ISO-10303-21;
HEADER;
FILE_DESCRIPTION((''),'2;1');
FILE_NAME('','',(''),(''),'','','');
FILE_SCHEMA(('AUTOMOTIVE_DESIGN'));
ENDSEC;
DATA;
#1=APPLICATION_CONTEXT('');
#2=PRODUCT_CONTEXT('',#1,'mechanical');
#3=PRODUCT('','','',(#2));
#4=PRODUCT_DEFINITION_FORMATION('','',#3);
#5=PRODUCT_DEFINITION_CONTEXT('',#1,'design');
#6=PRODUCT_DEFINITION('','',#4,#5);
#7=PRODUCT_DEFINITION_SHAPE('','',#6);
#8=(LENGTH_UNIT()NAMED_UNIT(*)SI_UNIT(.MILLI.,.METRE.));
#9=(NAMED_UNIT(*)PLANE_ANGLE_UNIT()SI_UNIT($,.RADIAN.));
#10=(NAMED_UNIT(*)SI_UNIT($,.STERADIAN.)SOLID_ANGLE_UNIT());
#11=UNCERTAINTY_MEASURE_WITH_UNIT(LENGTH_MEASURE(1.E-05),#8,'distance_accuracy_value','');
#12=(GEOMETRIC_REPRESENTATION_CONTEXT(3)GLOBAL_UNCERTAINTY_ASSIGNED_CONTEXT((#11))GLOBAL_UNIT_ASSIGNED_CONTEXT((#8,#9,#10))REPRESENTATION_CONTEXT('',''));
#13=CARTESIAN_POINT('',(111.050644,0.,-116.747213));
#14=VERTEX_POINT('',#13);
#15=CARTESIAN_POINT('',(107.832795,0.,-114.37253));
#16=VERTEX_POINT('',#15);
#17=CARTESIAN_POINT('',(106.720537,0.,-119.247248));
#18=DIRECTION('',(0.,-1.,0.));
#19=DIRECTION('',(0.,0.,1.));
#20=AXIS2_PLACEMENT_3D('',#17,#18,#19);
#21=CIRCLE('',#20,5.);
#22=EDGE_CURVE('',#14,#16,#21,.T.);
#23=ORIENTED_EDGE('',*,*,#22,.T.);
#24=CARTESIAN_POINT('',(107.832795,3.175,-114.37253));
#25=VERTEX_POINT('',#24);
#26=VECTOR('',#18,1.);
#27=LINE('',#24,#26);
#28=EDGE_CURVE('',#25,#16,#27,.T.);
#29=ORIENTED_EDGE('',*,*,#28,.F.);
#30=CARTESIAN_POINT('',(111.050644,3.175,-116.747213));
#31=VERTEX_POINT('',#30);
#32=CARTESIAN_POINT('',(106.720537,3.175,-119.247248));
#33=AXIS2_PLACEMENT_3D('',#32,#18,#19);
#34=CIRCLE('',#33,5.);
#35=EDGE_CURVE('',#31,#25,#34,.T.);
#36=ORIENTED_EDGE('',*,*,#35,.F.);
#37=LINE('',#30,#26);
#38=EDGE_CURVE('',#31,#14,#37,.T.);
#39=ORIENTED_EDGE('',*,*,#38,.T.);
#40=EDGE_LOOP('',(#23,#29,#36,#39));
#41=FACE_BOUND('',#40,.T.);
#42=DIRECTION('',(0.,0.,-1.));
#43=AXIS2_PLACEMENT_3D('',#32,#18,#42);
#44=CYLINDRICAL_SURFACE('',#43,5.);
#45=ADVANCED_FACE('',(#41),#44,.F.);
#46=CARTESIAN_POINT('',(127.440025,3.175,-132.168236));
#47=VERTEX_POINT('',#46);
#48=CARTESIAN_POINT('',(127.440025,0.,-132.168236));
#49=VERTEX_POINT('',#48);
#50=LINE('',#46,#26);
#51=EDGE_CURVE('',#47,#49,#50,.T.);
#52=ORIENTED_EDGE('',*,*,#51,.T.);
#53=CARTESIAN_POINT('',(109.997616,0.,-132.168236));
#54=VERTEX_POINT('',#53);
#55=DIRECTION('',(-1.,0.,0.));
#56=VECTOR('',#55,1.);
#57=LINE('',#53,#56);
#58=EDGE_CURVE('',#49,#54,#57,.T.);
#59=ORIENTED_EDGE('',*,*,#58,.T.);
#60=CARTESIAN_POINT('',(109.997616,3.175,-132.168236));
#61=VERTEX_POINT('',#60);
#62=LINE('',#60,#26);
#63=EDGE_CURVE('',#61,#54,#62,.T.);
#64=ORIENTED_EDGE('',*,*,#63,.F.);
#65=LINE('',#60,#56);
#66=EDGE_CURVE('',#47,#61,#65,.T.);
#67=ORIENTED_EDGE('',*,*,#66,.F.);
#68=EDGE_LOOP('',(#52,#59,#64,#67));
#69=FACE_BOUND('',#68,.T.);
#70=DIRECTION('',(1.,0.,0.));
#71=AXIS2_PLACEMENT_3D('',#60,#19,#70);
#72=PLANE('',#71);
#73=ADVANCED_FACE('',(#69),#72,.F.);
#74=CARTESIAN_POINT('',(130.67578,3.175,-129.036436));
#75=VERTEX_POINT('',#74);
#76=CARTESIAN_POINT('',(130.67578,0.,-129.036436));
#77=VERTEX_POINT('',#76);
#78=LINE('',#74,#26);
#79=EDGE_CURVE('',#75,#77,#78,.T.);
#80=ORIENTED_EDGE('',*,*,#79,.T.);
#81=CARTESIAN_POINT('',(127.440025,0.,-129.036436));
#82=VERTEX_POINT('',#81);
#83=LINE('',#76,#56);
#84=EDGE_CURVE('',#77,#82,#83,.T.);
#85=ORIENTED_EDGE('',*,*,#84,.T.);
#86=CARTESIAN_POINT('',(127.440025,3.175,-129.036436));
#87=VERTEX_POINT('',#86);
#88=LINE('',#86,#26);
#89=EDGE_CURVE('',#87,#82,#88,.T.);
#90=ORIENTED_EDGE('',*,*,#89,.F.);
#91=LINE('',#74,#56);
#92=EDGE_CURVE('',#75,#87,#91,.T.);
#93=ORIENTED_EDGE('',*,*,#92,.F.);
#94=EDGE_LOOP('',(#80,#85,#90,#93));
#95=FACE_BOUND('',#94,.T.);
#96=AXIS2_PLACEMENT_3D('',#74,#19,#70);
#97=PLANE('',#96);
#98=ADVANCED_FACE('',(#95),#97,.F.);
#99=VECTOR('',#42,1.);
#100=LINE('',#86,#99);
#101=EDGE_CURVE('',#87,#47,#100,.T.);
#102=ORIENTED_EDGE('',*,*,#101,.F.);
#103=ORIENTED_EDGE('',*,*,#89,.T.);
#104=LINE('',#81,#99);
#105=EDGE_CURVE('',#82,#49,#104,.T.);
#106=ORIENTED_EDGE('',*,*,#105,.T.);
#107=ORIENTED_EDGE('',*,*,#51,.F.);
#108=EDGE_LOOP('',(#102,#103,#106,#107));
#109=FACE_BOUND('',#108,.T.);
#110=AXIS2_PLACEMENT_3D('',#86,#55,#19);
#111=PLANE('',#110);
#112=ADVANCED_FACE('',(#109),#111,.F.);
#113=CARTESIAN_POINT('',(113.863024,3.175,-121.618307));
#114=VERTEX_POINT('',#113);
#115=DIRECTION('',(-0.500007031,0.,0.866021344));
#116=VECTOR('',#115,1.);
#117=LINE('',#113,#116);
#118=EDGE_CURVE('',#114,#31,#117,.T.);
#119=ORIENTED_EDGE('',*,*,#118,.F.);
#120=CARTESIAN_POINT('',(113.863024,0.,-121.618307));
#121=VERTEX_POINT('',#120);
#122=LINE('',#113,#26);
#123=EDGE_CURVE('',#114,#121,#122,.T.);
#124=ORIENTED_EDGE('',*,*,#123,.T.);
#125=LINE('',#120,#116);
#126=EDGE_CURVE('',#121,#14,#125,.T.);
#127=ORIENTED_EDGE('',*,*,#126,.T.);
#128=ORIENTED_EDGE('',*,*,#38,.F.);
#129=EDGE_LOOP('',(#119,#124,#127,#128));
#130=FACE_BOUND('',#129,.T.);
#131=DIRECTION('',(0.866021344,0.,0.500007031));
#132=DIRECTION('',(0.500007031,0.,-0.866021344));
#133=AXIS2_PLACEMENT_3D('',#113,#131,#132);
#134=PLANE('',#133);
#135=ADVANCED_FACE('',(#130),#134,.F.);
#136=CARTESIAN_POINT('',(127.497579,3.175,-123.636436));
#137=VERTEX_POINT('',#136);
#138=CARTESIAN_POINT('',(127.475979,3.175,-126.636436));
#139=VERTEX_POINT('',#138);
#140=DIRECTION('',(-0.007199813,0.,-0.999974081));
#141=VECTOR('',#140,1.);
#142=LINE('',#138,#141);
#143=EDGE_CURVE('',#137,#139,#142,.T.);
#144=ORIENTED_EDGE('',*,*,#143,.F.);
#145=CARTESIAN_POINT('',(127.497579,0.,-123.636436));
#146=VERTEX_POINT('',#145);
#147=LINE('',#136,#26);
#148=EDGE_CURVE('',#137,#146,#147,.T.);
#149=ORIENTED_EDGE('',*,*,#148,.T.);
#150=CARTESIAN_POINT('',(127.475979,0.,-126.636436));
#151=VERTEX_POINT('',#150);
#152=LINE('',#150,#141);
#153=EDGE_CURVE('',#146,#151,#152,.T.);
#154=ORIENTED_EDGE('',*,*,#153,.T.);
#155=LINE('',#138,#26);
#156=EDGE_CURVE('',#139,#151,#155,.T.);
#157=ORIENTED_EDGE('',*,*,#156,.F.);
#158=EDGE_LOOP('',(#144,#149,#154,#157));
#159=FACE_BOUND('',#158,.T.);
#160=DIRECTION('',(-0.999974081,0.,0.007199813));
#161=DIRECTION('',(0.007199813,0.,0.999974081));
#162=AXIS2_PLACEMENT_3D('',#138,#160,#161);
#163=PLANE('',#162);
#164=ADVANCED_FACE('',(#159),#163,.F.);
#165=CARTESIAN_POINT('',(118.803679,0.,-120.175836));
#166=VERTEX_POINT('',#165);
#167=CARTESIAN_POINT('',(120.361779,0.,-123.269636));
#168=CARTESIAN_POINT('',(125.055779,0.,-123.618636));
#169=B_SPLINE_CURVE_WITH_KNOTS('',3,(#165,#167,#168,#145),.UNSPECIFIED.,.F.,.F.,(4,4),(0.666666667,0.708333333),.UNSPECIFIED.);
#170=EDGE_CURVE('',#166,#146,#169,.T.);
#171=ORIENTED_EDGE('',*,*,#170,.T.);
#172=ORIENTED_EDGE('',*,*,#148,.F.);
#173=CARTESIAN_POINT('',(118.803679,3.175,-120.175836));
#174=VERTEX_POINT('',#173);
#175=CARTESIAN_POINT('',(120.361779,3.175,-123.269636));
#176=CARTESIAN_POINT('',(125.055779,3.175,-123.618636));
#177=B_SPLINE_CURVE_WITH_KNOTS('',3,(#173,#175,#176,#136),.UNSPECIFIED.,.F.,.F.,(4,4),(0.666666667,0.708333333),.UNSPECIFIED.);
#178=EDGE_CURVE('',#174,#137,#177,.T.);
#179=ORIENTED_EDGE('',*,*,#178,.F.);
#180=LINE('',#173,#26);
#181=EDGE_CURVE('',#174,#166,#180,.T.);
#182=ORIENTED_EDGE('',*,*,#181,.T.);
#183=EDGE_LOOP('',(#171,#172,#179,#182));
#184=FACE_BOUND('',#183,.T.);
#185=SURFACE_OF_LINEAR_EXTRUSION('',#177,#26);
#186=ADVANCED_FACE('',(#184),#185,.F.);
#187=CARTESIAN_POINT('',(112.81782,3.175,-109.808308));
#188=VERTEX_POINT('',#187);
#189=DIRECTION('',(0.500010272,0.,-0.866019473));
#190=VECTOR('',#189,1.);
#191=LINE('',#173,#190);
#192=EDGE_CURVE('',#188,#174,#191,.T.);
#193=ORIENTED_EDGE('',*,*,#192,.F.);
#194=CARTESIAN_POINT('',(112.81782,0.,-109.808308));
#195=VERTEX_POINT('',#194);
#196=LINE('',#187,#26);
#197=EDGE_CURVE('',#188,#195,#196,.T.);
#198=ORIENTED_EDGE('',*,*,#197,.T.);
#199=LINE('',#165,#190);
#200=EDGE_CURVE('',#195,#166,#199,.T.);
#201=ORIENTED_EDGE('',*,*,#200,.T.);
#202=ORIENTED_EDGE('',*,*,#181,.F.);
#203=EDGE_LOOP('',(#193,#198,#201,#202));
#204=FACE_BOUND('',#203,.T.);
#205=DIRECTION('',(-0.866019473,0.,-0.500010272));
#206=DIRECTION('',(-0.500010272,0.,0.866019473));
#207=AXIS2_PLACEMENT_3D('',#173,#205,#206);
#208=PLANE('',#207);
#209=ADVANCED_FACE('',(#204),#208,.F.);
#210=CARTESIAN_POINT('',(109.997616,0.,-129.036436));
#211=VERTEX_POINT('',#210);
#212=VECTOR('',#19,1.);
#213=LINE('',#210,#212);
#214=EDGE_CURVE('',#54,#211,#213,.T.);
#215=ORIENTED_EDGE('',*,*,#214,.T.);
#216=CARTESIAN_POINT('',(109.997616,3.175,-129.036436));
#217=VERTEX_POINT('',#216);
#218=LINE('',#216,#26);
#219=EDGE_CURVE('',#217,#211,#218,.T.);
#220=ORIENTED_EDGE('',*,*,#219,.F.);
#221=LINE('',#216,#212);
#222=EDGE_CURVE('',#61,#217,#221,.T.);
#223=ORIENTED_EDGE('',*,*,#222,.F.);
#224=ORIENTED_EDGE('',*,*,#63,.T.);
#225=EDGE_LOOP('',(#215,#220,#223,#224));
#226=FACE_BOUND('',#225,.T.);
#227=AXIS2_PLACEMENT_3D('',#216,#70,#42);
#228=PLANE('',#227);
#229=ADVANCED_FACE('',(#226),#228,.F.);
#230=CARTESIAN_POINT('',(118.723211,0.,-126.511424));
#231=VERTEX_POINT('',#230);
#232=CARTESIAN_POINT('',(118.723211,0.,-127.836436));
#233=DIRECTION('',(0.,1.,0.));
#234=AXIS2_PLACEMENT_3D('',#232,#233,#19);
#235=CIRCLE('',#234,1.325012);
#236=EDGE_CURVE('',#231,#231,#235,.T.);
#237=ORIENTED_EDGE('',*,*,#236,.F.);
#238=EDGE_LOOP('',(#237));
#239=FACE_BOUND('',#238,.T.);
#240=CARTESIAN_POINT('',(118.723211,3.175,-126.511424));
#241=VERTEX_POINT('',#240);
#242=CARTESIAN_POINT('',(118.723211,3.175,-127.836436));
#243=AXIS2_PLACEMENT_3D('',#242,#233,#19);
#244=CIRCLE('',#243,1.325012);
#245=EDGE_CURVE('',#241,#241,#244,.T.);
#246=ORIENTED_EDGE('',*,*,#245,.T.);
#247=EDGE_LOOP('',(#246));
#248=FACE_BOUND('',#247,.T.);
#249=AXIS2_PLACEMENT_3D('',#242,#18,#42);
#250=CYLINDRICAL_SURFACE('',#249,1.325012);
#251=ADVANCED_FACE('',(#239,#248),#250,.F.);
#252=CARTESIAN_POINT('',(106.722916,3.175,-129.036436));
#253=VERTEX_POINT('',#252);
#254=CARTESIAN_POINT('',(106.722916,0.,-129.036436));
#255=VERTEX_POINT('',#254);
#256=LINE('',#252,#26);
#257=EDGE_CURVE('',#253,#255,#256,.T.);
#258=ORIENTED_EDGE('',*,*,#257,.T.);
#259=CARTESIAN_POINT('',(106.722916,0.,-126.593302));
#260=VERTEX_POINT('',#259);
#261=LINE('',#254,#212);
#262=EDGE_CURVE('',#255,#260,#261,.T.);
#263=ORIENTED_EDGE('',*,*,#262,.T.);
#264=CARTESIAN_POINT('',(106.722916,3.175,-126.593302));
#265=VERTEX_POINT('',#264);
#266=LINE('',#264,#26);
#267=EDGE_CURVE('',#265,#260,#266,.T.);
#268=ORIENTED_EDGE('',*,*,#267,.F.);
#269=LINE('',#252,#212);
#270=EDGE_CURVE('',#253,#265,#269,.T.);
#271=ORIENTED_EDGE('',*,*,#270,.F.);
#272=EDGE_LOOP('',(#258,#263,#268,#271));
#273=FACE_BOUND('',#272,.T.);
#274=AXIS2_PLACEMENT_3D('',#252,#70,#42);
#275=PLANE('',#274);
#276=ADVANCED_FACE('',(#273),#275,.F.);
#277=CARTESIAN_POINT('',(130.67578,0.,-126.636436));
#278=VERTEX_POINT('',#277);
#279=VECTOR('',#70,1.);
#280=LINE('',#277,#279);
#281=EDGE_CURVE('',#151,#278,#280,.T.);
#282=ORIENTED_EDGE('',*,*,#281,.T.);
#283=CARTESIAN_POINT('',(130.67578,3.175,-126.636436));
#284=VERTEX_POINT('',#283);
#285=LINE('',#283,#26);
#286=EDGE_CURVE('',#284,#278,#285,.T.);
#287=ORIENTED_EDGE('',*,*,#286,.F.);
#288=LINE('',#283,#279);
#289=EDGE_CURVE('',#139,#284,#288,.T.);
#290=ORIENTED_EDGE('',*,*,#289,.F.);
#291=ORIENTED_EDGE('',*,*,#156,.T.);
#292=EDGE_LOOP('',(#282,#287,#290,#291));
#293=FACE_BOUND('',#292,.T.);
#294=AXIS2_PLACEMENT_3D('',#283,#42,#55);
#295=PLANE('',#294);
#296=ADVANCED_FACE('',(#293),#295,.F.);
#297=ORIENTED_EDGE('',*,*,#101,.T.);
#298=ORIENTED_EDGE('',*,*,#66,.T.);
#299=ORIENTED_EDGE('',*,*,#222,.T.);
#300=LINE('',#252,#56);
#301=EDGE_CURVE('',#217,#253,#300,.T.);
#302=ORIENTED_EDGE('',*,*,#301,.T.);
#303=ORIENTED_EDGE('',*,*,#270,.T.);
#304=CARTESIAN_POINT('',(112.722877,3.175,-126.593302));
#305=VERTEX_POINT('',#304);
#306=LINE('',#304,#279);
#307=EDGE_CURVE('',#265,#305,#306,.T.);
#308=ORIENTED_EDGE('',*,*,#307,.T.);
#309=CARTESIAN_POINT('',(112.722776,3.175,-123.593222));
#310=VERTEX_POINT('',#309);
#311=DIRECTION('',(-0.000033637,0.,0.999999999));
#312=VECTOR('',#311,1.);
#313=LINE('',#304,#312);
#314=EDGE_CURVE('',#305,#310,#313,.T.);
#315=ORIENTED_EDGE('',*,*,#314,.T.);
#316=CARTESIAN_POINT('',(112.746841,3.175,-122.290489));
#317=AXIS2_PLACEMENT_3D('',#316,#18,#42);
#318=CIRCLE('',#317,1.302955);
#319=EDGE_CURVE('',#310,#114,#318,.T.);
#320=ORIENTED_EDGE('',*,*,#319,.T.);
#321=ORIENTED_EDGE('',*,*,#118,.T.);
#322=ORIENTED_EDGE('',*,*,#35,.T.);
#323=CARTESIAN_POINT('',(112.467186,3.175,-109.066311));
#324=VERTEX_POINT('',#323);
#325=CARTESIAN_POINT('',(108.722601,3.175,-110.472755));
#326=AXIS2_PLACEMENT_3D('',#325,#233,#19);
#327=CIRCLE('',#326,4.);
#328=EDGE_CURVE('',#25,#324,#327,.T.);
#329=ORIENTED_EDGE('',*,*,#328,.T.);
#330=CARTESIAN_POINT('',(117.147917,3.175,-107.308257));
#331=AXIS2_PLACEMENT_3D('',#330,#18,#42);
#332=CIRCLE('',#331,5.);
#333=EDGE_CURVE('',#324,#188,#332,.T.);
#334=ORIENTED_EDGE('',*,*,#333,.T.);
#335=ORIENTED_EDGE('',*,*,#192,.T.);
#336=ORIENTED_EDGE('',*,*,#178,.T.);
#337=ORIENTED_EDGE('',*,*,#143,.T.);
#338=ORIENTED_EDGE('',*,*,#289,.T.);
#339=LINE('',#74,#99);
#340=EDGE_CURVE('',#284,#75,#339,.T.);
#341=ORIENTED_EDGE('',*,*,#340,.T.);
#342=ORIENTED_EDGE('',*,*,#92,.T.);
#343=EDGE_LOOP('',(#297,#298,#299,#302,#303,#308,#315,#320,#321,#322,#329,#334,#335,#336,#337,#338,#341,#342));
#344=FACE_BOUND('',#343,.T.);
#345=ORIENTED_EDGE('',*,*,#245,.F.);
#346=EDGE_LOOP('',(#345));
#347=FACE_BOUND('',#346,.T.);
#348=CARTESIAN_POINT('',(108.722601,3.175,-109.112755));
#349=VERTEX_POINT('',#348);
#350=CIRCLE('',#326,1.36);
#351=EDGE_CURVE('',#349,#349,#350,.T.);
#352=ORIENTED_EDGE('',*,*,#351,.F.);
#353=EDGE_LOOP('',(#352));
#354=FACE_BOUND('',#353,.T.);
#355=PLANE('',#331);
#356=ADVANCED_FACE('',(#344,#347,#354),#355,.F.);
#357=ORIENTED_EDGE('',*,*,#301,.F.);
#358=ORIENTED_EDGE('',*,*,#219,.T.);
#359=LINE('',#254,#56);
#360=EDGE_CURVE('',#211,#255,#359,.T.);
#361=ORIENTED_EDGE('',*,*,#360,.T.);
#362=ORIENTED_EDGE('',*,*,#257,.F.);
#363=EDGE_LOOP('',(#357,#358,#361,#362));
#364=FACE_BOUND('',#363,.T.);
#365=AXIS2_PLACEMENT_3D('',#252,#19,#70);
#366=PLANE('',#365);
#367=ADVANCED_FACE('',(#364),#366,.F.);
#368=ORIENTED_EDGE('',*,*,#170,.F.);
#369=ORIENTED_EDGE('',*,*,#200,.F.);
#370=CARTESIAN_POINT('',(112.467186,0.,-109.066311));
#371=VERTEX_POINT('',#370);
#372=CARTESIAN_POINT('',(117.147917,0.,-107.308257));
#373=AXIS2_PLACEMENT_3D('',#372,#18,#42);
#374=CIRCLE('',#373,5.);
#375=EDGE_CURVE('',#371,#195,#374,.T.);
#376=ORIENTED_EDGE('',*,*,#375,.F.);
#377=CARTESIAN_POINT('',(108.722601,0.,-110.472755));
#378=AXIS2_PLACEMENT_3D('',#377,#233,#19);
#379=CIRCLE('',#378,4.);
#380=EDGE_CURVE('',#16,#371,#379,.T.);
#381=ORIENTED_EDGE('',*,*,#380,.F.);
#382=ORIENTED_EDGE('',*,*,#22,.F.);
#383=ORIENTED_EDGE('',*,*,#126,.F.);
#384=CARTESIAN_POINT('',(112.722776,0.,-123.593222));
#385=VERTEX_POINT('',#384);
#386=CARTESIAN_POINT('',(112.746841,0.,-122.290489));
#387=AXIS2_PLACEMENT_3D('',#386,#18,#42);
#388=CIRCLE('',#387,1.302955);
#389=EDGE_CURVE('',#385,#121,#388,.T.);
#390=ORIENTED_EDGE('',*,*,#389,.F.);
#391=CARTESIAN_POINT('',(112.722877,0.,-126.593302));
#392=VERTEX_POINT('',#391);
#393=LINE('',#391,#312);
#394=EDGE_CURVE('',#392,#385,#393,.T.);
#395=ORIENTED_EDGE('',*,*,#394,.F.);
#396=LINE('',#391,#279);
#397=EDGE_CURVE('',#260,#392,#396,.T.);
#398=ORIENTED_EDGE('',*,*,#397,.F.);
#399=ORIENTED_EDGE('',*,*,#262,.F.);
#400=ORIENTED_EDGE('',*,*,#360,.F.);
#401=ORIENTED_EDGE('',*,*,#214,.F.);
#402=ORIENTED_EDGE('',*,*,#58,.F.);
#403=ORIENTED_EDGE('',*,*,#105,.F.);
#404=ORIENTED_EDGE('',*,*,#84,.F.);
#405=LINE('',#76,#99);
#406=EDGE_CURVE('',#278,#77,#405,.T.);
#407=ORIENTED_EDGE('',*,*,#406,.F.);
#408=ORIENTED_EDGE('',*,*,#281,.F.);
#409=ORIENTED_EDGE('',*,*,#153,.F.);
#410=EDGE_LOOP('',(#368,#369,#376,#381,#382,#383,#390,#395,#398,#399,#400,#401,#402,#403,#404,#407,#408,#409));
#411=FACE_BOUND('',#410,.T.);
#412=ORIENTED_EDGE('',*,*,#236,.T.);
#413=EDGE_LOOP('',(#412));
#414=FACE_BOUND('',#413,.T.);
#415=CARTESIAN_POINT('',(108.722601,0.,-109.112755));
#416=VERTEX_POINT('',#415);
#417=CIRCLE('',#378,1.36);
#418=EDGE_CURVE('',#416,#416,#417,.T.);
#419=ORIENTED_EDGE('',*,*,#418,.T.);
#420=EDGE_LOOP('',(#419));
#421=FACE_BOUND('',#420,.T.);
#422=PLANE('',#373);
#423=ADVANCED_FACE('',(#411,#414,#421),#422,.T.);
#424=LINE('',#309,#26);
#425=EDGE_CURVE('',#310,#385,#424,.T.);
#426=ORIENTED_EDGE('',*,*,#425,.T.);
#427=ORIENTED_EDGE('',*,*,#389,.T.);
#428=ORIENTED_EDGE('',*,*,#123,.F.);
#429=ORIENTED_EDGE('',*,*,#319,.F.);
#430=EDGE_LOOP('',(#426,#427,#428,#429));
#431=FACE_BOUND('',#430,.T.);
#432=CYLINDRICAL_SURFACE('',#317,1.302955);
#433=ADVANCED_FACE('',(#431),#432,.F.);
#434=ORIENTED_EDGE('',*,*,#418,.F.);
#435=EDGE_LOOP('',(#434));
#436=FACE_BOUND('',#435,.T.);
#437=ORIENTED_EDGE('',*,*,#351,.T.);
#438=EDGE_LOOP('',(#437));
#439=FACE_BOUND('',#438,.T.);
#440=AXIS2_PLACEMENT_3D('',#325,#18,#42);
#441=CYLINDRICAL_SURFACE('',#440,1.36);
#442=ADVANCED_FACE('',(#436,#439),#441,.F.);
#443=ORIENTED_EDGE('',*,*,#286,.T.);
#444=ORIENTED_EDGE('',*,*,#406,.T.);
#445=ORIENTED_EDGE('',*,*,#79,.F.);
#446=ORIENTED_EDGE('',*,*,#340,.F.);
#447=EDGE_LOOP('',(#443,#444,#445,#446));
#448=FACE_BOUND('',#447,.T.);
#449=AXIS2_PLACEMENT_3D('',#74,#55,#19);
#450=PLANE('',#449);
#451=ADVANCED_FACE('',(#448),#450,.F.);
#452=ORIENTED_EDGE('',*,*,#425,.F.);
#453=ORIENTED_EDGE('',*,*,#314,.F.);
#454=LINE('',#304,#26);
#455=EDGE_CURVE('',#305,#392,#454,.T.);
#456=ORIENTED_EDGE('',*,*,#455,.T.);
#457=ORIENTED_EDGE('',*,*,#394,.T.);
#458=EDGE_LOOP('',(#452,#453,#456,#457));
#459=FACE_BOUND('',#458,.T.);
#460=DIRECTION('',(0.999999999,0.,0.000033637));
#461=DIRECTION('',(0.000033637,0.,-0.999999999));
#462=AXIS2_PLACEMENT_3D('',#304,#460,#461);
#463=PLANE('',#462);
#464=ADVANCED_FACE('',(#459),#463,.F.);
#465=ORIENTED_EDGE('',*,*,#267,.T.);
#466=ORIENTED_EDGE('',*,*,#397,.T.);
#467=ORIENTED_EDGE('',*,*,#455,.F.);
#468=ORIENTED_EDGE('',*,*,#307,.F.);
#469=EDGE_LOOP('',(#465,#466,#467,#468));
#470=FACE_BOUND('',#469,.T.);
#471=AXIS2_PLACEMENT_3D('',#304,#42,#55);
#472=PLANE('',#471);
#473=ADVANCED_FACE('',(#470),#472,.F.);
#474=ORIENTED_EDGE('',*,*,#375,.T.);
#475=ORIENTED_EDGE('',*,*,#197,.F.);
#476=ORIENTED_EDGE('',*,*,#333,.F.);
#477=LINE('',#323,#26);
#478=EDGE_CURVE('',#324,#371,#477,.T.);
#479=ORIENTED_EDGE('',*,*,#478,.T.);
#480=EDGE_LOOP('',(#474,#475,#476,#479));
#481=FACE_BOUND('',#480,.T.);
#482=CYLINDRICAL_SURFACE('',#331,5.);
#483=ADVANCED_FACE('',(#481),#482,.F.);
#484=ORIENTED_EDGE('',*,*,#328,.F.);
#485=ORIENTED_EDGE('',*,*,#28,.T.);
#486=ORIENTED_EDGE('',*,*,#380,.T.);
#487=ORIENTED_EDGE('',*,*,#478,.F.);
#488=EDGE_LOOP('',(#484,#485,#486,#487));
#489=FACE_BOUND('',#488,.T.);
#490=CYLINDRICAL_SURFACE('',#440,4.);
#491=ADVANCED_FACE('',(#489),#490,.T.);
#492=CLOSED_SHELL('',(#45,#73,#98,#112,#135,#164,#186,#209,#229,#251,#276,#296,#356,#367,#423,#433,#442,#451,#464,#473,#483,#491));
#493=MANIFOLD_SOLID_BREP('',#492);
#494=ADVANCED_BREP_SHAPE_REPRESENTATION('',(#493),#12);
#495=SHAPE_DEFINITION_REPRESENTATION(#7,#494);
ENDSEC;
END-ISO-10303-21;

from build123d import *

# Parameters (mm, degrees)
SKETCH1_R           = 1.36
SKETCH1_R_2         = 1.3250121
BOSS_EXTRUDE1_DEPTH = 3.175


with BuildPart() as part:
    # Sketch1 → Boss-Extrude1 (new body)
    with BuildSketch(Plane(origin=(0, 0, 0), x_dir=(1, 0, 0), z_dir=(0, 1, 0))):
        with BuildLine():
            Line((112.722877294, 126.593302228), (112.72277638, 123.593222295))
            ThreePointArc((112.72277638, 123.593222295), (113.875226377, 122.941979767), (113.863024117, 121.61830725))
            Line((113.863024117, 121.61830725), (111.050643934, 116.74721322))
            ThreePointArc((111.050643934, 116.74721322), (109.689478532, 115.224141686), (107.832794667, 114.372529579))
            ThreePointArc((107.832794667, 114.372529579), (105.709889346, 107.841486649), (112.467185669, 109.066311194))
            ThreePointArc((112.467185669, 109.066311194), (112.627253492, 109.444515831), (112.817819601, 109.808308371))
            Line((112.817819601, 109.808308371), (118.803678696, 120.175836459))
            add(Edge.make_bspline(
                [(118.803678696, 120.175836459), (120.361778696, 123.269636459), (125.055778696, 123.618636459), (127.497578696, 123.636436459)],
                knots=[0.666666667, 0.666666667, 0.666666667, 0.666666667, 0.708333333, 0.708333333, 0.708333333, 0.708333333], degree=3))
            Line((127.497578696, 123.636436459), (127.475978696, 126.636436459))
            Line((127.475978696, 126.636436459), (130.675779856, 126.636436459))
            Line((130.675779856, 126.636436459), (130.675779856, 129.036436459))
            Line((130.675779856, 129.036436459), (127.440025111, 129.036436459))
            Line((127.440025111, 129.036436459), (127.440025111, 132.168236459))
            Line((127.440025111, 132.168236459), (109.997615958, 132.168236459))
            Line((109.997615958, 132.168236459), (109.997615958, 129.036436459))
            Line((109.997615958, 129.036436459), (106.722915958, 129.036436459))
            Line((106.722915958, 129.036436459), (106.722915958, 126.593302228))
            Line((106.722915958, 126.593302228), (112.722877294, 126.593302228))
        make_face()
        with Locations(Location((108.72260063, 110.472754541, 0), (0, 0, 270))):
            Circle(SKETCH1_R, mode=Mode.SUBTRACT)
        with Locations(Location((118.723210584, 127.836436459, 0), (0, 0, 270))):
            Circle(SKETCH1_R_2, mode=Mode.SUBTRACT)
    extrude(amount=BOSS_EXTRUDE1_DEPTH)


solid = part.part
